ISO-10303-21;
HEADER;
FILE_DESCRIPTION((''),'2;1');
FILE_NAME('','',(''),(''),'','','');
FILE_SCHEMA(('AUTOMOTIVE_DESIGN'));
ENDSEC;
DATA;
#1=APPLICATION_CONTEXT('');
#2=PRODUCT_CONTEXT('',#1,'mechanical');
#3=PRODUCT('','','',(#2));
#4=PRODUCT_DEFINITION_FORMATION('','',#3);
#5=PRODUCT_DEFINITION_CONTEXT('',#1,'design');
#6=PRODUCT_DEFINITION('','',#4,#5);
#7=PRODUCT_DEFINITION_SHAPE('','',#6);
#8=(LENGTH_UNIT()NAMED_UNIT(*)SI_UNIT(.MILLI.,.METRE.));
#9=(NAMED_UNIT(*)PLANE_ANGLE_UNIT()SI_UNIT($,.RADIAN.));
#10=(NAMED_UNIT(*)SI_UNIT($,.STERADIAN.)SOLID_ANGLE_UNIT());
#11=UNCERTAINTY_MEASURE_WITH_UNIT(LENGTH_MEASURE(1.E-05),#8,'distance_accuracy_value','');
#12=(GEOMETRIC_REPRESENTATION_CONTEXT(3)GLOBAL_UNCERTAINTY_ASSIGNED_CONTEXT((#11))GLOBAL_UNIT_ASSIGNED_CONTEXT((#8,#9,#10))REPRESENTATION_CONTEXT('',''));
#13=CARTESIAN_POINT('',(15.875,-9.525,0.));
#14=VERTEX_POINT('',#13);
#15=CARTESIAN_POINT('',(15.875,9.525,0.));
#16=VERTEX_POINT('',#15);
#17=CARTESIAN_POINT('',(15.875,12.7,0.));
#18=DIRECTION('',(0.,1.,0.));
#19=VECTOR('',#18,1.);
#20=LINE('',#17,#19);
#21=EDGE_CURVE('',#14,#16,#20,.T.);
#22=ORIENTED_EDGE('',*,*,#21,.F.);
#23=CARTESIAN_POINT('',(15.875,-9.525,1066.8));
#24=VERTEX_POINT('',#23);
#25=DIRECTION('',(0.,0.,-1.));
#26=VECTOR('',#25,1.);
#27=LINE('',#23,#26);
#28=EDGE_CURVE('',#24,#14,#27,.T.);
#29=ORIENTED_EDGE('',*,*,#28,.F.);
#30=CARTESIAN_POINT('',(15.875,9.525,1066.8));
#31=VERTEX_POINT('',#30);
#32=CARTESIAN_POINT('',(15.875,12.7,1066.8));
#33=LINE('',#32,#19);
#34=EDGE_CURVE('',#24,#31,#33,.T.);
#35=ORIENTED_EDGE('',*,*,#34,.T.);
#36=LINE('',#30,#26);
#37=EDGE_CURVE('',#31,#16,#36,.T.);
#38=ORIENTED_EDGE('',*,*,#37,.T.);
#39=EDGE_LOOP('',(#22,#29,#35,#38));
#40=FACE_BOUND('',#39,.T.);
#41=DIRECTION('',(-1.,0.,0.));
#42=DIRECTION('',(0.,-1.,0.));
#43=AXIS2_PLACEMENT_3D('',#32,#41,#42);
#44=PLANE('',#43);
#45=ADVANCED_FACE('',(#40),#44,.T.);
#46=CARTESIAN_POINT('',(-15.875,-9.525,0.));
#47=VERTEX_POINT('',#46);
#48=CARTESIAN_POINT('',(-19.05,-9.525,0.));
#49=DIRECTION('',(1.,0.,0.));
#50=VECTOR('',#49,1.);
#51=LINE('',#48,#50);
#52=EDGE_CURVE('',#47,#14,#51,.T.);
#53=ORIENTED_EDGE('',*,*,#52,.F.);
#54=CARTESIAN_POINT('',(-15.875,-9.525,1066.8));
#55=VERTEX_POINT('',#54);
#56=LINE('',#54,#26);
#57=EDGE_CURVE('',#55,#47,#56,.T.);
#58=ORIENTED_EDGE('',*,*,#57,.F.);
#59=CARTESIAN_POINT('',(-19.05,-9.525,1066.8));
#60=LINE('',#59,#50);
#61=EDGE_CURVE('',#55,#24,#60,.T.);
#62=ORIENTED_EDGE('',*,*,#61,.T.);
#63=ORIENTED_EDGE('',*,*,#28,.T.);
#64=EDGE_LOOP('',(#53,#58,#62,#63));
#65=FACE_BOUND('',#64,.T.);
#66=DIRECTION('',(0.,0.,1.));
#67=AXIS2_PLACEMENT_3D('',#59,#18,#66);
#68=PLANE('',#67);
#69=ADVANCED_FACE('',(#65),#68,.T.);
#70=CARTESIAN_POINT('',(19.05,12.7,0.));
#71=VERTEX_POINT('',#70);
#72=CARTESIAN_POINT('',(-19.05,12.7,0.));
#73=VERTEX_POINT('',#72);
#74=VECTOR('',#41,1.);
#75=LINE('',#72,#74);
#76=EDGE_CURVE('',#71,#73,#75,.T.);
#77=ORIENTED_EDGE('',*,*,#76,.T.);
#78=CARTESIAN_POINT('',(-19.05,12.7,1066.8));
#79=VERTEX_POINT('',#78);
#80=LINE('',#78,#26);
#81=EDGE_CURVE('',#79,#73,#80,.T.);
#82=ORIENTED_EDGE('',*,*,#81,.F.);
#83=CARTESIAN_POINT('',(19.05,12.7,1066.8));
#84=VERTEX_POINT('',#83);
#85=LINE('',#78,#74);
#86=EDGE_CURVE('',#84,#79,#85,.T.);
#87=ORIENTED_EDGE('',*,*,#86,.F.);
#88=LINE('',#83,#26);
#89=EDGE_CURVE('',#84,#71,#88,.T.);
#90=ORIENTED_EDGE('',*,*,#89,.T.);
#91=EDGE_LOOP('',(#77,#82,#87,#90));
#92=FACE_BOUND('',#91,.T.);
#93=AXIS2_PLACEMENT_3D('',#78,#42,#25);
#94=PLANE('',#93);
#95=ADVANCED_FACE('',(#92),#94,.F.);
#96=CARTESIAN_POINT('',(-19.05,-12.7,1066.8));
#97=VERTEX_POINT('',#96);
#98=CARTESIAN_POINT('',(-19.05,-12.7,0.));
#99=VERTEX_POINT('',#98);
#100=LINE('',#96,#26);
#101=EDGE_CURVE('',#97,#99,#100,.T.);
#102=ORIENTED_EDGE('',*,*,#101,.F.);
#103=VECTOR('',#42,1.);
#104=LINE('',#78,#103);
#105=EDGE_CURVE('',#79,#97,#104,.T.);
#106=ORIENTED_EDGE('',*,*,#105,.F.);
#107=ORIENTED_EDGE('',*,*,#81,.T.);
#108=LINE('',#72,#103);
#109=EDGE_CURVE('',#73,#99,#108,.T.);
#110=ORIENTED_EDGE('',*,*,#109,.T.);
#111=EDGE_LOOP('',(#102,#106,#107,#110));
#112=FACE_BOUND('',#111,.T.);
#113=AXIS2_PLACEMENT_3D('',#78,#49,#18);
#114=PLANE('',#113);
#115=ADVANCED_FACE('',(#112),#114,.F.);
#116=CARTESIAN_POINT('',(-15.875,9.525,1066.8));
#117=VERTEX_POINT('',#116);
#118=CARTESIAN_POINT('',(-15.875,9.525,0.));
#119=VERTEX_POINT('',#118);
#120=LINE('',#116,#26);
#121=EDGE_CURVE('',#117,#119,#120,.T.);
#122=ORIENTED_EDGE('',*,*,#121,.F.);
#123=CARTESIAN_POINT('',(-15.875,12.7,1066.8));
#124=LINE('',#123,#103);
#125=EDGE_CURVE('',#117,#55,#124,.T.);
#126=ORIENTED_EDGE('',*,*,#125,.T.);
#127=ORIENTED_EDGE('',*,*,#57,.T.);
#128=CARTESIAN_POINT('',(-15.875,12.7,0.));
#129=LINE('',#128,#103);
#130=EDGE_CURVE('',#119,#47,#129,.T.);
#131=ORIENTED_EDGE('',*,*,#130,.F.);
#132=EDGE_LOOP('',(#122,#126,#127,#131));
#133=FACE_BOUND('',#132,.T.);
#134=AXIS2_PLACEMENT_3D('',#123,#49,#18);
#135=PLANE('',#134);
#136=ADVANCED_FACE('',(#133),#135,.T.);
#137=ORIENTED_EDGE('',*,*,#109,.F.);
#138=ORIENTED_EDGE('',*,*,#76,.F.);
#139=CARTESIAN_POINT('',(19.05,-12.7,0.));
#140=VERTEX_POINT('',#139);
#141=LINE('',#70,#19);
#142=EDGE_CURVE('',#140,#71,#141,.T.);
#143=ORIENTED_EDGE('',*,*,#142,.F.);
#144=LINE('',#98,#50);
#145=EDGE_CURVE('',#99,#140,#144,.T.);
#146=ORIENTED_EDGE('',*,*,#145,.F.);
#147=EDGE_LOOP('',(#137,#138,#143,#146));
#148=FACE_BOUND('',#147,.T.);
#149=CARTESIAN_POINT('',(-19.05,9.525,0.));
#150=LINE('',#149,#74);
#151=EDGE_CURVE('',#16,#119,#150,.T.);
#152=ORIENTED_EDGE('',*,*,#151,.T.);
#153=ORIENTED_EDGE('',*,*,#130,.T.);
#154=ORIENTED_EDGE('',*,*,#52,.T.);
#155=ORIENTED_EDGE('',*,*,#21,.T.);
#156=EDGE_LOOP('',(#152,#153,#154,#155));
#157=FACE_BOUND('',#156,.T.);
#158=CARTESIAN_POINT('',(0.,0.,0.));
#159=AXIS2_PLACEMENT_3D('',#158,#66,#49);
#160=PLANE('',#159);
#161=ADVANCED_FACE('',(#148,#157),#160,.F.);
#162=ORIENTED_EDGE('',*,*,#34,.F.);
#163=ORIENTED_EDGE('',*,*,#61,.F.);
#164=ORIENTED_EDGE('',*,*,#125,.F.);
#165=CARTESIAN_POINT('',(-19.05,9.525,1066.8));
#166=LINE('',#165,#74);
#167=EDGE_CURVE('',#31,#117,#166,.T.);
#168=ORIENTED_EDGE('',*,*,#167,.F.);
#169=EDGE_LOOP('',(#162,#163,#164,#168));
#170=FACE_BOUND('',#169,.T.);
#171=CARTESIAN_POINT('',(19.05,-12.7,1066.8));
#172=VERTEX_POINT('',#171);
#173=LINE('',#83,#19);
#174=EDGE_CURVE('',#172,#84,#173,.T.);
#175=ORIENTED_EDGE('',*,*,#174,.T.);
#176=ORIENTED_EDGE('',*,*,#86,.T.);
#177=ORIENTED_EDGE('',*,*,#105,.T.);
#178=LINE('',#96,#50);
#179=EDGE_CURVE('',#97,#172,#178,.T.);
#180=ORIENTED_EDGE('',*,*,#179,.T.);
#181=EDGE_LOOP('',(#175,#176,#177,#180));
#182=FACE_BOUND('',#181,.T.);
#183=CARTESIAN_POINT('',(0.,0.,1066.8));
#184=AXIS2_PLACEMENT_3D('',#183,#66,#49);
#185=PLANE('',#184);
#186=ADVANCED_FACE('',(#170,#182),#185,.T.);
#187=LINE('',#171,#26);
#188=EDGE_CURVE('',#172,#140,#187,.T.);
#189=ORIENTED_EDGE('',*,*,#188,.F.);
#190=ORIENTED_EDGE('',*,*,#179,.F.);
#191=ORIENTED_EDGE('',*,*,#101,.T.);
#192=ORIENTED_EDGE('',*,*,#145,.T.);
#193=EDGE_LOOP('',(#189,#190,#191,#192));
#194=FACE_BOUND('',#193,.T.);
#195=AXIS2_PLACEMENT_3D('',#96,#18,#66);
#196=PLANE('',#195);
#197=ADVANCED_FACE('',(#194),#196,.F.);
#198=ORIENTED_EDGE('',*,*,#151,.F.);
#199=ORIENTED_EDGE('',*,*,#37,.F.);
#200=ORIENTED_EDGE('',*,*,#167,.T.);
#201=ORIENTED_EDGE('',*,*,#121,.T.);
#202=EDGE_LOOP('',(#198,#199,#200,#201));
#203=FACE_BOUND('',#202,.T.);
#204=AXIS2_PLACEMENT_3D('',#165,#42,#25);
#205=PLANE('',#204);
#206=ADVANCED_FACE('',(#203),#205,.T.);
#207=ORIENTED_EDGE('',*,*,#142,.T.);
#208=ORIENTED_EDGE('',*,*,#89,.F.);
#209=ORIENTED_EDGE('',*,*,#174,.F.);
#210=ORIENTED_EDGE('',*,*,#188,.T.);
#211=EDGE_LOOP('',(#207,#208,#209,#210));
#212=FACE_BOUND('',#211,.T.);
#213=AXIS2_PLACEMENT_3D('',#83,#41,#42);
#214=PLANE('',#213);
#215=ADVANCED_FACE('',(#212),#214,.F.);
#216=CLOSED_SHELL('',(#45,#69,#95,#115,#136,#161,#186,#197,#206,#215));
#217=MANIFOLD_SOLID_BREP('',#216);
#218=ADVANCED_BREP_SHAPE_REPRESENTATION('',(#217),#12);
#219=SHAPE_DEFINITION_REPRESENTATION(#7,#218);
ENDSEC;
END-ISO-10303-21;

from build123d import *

# Parameters (mm, degrees)
SKETCH1_W           = 38.1
SKETCH1_H           = 25.4
BOSS_EXTRUDE1_DEPTH = 1066.8
SHELL1_T            = -3.175


with BuildPart() as part:
    # Sketch1 → Boss-Extrude1 (new body)
    with BuildSketch(Plane.XY):
        Rectangle(SKETCH1_W, SKETCH1_H)
    extrude(amount=BOSS_EXTRUDE1_DEPTH)

    # Shell1
    shell1_openings = [part.faces().sort_by_distance(p)[0] for p in [
        (0, 0, 1066.8),
        (0, 0, 0),
    ]]
    offset(amount=SHELL1_T, openings=shell1_openings, kind=Kind.INTERSECTION)


solid = part.part
